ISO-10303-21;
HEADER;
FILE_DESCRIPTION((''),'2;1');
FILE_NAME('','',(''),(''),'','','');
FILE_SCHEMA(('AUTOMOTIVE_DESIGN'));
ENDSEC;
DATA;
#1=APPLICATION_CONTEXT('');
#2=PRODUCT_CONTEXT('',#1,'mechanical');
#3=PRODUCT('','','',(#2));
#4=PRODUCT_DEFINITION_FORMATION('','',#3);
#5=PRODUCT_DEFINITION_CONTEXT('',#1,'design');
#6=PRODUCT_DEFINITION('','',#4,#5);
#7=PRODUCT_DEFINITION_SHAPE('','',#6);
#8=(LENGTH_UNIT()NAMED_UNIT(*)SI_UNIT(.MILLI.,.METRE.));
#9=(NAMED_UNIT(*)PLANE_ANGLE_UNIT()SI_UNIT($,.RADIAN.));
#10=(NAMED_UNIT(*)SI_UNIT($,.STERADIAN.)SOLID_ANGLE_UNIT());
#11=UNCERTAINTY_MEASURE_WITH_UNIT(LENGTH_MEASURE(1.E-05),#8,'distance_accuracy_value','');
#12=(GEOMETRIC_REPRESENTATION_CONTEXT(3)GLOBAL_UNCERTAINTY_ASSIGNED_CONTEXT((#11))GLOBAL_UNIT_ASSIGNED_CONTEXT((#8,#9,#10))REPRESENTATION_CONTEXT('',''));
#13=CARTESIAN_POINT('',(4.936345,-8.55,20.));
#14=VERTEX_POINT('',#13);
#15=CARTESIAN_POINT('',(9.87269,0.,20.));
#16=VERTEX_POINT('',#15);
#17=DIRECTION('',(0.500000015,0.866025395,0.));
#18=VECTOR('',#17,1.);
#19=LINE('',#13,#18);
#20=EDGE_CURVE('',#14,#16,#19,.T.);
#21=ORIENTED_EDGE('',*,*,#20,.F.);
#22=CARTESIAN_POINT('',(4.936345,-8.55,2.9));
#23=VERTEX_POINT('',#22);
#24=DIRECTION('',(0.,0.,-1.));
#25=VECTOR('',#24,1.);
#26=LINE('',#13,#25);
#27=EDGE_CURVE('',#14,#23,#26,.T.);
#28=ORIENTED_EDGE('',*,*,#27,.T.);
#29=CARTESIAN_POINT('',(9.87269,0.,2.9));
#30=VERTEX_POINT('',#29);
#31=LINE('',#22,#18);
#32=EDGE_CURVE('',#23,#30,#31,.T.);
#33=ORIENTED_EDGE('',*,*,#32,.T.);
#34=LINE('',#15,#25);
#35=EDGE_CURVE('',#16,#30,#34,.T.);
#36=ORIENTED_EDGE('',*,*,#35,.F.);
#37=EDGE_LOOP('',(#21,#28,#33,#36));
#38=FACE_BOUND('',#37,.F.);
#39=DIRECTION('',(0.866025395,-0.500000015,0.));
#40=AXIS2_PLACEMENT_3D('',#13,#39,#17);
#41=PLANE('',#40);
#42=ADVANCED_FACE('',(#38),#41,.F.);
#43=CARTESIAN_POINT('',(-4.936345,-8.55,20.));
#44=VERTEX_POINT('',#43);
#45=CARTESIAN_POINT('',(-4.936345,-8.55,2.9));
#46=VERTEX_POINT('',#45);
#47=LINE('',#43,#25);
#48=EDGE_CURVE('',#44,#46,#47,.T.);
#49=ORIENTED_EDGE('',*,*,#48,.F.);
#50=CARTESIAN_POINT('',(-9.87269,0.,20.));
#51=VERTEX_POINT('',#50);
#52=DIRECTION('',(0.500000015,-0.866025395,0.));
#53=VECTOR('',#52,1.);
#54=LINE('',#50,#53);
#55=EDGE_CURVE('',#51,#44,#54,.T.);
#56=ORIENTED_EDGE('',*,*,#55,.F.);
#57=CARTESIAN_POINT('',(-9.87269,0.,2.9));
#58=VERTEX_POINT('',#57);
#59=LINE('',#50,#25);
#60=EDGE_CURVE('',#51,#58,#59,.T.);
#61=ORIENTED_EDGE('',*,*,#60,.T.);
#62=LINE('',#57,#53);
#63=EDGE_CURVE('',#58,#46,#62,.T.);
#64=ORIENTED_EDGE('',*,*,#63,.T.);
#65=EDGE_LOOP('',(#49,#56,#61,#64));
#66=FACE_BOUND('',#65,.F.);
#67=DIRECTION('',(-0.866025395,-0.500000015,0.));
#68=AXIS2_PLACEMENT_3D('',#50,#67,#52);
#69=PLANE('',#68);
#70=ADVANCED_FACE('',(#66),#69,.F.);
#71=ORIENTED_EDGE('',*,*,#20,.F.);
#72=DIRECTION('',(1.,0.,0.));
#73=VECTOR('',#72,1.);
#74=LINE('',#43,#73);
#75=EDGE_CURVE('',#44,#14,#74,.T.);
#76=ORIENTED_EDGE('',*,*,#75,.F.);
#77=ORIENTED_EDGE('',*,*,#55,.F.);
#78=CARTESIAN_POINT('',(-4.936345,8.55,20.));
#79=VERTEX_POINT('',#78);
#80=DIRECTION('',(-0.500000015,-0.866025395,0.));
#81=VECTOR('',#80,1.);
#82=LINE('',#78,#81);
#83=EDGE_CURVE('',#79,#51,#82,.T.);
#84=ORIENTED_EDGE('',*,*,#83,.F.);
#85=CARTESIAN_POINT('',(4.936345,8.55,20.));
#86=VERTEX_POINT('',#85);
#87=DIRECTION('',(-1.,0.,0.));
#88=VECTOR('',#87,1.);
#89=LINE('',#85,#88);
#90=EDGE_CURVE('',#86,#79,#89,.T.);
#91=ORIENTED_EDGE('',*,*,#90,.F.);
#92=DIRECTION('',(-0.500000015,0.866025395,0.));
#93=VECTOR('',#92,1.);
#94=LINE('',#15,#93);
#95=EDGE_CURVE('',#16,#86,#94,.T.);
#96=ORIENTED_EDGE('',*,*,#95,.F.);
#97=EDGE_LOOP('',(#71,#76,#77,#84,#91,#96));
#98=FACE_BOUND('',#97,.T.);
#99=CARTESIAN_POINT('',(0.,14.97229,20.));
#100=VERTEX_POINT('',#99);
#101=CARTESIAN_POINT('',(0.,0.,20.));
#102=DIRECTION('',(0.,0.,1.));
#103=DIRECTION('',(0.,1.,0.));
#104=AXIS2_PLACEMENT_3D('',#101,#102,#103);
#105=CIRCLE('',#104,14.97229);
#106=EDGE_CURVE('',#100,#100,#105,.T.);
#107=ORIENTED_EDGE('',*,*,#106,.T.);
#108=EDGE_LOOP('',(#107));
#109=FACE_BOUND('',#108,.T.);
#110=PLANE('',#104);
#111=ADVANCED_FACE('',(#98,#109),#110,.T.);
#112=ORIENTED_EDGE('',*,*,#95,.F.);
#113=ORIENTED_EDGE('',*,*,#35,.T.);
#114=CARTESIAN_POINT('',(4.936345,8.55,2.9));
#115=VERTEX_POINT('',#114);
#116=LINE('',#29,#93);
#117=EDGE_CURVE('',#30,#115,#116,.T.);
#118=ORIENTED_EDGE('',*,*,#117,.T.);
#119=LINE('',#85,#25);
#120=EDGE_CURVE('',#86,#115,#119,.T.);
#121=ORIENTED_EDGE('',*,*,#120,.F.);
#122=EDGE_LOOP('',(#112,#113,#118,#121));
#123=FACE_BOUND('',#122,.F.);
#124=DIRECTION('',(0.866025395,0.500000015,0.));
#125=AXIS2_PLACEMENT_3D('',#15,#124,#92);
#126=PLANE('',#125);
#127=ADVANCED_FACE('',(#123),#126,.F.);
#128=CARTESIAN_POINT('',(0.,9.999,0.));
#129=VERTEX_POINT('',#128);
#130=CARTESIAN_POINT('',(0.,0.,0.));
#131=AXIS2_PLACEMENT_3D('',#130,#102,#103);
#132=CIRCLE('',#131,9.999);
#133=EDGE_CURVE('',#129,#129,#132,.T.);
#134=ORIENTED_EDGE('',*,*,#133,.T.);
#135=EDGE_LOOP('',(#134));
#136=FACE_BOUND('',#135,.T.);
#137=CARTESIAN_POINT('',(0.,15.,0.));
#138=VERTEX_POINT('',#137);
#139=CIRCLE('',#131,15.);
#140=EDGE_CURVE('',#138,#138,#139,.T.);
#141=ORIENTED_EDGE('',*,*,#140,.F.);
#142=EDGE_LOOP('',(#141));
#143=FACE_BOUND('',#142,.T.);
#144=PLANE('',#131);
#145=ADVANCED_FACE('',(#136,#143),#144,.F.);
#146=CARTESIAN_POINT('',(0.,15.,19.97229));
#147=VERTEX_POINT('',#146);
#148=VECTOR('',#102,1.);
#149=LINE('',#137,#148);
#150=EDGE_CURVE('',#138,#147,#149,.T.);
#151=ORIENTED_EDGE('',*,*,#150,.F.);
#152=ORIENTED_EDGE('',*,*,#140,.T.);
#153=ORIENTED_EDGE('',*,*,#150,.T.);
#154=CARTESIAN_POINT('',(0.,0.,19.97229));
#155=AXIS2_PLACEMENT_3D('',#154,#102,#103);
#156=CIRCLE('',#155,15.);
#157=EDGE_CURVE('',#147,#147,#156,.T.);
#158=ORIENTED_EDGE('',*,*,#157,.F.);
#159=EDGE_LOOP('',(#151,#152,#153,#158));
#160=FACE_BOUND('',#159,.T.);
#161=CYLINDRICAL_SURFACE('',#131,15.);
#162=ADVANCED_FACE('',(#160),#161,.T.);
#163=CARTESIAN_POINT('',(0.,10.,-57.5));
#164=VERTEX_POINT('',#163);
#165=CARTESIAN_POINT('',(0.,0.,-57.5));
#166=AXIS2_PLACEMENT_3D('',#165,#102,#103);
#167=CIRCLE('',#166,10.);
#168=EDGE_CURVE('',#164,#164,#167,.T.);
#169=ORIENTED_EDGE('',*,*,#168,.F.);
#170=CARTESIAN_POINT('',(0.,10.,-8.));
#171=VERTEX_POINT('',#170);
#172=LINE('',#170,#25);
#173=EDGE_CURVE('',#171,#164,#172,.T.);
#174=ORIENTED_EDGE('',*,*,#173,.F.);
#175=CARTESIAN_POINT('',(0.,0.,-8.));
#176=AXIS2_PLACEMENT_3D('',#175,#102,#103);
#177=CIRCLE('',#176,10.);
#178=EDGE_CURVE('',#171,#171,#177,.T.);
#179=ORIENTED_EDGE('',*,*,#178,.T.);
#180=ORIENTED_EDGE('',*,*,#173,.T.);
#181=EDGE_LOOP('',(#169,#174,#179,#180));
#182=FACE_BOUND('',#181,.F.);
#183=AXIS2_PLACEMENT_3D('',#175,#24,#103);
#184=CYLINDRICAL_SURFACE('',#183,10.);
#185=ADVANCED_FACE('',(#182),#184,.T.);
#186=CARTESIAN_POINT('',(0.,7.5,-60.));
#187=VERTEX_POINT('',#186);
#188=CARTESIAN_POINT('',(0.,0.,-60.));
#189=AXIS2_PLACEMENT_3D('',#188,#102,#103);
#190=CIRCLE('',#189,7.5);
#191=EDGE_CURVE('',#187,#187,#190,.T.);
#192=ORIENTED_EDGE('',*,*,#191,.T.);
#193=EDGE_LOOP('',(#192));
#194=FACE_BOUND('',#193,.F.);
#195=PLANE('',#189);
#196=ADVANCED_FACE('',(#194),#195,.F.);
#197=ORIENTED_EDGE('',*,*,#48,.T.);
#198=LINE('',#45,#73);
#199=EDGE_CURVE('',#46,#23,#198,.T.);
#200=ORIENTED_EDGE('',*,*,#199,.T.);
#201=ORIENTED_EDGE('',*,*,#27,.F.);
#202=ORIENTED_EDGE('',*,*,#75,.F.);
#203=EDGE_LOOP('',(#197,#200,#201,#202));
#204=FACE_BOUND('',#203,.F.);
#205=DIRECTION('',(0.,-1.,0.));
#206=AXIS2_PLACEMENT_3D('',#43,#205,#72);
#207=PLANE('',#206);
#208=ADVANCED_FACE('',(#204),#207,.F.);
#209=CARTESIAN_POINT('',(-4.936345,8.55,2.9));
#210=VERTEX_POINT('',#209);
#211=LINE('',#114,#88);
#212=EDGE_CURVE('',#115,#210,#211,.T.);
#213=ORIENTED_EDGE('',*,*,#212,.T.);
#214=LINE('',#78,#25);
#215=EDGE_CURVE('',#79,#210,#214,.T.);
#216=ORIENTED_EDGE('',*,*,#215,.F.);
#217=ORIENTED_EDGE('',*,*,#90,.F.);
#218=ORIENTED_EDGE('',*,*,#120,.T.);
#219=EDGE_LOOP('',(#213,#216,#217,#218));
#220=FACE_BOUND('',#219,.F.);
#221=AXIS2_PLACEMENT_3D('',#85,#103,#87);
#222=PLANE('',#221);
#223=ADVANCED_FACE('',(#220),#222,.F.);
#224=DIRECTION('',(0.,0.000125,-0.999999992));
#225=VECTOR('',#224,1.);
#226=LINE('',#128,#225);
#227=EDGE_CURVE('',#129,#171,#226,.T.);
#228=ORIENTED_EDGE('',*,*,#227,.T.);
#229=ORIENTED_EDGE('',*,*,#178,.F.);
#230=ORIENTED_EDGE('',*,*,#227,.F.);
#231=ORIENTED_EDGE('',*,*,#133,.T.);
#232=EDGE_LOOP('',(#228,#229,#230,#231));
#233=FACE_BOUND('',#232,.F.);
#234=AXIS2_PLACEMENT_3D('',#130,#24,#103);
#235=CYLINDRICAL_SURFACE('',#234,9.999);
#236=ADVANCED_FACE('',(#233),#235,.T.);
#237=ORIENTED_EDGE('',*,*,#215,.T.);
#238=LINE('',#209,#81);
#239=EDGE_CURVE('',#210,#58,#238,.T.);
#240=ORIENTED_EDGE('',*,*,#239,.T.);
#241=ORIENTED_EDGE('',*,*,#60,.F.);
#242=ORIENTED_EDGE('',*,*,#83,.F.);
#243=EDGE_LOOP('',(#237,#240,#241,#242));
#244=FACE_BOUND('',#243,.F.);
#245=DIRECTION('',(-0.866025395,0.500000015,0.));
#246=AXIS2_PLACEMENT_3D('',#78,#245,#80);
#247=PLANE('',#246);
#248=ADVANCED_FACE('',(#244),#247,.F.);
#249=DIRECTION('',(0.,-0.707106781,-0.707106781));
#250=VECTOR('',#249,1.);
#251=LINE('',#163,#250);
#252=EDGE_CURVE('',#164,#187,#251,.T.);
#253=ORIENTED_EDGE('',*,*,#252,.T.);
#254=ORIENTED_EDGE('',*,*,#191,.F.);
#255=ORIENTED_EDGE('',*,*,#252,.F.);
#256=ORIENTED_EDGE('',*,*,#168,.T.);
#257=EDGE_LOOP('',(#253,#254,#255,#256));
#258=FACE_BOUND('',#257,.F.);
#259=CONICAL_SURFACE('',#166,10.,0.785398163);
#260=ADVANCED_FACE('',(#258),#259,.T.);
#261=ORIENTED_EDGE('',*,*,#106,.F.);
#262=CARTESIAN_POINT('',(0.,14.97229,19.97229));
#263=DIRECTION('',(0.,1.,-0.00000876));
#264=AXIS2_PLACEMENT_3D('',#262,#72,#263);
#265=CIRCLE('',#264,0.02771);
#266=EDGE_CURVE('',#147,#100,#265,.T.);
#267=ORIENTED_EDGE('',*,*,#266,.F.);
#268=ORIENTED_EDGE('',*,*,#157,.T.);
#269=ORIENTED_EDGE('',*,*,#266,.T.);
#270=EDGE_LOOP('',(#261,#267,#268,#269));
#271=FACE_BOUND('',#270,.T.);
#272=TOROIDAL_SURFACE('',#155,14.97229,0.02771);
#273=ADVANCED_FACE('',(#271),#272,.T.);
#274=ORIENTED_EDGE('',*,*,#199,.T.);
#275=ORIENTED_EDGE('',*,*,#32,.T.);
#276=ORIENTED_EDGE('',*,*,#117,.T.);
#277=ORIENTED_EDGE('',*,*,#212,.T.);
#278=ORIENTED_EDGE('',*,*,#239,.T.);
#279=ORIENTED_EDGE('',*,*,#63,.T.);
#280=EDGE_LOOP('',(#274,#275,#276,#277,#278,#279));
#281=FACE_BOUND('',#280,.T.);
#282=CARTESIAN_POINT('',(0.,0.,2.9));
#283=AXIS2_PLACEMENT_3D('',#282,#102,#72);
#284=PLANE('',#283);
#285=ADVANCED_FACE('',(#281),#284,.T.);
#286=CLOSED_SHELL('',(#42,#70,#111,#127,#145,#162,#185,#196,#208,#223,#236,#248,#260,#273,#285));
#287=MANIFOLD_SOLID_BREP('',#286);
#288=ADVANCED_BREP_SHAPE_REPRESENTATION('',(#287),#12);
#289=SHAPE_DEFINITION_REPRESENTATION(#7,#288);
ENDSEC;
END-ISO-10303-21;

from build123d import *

# Parameters (mm, degrees)
POCKET_DEPTH = 17.1


with BuildPart() as part:
    # Sketch → Revolve (revolve)
    with BuildSketch(Plane.YZ):
        with BuildLine():
            Line((9.999, 0), (15, 0))
            Line((15, 0), (15, 19.97229))
            ThreePointArc((15, 19.97229), (14.991884, 19.991884), (14.97229, 20))
            Line((14.97229, 20), (0, 20))
            Line((0, -60), (0, 20))
            Line((7.5, -60), (0, -60))
            Line((10, -57.5), (7.5, -60))
            Line((10, -8), (10, -57.5))
            Line((9.999, 0), (10, -8))
        make_face()
    revolve(axis=Axis((0, 0, 0), (0, 0, 1)))

    # Sketch001 → Pocket (cut)
    with BuildSketch(Plane.XY.offset(20)):
        Polygon((9.87269, 0), (4.936345, 8.55), (-4.936345, 8.55), (-9.87269, 0), (-4.936345, -8.55), (4.936345, -8.55), align=None)
    extrude(amount=-POCKET_DEPTH, mode=Mode.SUBTRACT)


solid = part.part
